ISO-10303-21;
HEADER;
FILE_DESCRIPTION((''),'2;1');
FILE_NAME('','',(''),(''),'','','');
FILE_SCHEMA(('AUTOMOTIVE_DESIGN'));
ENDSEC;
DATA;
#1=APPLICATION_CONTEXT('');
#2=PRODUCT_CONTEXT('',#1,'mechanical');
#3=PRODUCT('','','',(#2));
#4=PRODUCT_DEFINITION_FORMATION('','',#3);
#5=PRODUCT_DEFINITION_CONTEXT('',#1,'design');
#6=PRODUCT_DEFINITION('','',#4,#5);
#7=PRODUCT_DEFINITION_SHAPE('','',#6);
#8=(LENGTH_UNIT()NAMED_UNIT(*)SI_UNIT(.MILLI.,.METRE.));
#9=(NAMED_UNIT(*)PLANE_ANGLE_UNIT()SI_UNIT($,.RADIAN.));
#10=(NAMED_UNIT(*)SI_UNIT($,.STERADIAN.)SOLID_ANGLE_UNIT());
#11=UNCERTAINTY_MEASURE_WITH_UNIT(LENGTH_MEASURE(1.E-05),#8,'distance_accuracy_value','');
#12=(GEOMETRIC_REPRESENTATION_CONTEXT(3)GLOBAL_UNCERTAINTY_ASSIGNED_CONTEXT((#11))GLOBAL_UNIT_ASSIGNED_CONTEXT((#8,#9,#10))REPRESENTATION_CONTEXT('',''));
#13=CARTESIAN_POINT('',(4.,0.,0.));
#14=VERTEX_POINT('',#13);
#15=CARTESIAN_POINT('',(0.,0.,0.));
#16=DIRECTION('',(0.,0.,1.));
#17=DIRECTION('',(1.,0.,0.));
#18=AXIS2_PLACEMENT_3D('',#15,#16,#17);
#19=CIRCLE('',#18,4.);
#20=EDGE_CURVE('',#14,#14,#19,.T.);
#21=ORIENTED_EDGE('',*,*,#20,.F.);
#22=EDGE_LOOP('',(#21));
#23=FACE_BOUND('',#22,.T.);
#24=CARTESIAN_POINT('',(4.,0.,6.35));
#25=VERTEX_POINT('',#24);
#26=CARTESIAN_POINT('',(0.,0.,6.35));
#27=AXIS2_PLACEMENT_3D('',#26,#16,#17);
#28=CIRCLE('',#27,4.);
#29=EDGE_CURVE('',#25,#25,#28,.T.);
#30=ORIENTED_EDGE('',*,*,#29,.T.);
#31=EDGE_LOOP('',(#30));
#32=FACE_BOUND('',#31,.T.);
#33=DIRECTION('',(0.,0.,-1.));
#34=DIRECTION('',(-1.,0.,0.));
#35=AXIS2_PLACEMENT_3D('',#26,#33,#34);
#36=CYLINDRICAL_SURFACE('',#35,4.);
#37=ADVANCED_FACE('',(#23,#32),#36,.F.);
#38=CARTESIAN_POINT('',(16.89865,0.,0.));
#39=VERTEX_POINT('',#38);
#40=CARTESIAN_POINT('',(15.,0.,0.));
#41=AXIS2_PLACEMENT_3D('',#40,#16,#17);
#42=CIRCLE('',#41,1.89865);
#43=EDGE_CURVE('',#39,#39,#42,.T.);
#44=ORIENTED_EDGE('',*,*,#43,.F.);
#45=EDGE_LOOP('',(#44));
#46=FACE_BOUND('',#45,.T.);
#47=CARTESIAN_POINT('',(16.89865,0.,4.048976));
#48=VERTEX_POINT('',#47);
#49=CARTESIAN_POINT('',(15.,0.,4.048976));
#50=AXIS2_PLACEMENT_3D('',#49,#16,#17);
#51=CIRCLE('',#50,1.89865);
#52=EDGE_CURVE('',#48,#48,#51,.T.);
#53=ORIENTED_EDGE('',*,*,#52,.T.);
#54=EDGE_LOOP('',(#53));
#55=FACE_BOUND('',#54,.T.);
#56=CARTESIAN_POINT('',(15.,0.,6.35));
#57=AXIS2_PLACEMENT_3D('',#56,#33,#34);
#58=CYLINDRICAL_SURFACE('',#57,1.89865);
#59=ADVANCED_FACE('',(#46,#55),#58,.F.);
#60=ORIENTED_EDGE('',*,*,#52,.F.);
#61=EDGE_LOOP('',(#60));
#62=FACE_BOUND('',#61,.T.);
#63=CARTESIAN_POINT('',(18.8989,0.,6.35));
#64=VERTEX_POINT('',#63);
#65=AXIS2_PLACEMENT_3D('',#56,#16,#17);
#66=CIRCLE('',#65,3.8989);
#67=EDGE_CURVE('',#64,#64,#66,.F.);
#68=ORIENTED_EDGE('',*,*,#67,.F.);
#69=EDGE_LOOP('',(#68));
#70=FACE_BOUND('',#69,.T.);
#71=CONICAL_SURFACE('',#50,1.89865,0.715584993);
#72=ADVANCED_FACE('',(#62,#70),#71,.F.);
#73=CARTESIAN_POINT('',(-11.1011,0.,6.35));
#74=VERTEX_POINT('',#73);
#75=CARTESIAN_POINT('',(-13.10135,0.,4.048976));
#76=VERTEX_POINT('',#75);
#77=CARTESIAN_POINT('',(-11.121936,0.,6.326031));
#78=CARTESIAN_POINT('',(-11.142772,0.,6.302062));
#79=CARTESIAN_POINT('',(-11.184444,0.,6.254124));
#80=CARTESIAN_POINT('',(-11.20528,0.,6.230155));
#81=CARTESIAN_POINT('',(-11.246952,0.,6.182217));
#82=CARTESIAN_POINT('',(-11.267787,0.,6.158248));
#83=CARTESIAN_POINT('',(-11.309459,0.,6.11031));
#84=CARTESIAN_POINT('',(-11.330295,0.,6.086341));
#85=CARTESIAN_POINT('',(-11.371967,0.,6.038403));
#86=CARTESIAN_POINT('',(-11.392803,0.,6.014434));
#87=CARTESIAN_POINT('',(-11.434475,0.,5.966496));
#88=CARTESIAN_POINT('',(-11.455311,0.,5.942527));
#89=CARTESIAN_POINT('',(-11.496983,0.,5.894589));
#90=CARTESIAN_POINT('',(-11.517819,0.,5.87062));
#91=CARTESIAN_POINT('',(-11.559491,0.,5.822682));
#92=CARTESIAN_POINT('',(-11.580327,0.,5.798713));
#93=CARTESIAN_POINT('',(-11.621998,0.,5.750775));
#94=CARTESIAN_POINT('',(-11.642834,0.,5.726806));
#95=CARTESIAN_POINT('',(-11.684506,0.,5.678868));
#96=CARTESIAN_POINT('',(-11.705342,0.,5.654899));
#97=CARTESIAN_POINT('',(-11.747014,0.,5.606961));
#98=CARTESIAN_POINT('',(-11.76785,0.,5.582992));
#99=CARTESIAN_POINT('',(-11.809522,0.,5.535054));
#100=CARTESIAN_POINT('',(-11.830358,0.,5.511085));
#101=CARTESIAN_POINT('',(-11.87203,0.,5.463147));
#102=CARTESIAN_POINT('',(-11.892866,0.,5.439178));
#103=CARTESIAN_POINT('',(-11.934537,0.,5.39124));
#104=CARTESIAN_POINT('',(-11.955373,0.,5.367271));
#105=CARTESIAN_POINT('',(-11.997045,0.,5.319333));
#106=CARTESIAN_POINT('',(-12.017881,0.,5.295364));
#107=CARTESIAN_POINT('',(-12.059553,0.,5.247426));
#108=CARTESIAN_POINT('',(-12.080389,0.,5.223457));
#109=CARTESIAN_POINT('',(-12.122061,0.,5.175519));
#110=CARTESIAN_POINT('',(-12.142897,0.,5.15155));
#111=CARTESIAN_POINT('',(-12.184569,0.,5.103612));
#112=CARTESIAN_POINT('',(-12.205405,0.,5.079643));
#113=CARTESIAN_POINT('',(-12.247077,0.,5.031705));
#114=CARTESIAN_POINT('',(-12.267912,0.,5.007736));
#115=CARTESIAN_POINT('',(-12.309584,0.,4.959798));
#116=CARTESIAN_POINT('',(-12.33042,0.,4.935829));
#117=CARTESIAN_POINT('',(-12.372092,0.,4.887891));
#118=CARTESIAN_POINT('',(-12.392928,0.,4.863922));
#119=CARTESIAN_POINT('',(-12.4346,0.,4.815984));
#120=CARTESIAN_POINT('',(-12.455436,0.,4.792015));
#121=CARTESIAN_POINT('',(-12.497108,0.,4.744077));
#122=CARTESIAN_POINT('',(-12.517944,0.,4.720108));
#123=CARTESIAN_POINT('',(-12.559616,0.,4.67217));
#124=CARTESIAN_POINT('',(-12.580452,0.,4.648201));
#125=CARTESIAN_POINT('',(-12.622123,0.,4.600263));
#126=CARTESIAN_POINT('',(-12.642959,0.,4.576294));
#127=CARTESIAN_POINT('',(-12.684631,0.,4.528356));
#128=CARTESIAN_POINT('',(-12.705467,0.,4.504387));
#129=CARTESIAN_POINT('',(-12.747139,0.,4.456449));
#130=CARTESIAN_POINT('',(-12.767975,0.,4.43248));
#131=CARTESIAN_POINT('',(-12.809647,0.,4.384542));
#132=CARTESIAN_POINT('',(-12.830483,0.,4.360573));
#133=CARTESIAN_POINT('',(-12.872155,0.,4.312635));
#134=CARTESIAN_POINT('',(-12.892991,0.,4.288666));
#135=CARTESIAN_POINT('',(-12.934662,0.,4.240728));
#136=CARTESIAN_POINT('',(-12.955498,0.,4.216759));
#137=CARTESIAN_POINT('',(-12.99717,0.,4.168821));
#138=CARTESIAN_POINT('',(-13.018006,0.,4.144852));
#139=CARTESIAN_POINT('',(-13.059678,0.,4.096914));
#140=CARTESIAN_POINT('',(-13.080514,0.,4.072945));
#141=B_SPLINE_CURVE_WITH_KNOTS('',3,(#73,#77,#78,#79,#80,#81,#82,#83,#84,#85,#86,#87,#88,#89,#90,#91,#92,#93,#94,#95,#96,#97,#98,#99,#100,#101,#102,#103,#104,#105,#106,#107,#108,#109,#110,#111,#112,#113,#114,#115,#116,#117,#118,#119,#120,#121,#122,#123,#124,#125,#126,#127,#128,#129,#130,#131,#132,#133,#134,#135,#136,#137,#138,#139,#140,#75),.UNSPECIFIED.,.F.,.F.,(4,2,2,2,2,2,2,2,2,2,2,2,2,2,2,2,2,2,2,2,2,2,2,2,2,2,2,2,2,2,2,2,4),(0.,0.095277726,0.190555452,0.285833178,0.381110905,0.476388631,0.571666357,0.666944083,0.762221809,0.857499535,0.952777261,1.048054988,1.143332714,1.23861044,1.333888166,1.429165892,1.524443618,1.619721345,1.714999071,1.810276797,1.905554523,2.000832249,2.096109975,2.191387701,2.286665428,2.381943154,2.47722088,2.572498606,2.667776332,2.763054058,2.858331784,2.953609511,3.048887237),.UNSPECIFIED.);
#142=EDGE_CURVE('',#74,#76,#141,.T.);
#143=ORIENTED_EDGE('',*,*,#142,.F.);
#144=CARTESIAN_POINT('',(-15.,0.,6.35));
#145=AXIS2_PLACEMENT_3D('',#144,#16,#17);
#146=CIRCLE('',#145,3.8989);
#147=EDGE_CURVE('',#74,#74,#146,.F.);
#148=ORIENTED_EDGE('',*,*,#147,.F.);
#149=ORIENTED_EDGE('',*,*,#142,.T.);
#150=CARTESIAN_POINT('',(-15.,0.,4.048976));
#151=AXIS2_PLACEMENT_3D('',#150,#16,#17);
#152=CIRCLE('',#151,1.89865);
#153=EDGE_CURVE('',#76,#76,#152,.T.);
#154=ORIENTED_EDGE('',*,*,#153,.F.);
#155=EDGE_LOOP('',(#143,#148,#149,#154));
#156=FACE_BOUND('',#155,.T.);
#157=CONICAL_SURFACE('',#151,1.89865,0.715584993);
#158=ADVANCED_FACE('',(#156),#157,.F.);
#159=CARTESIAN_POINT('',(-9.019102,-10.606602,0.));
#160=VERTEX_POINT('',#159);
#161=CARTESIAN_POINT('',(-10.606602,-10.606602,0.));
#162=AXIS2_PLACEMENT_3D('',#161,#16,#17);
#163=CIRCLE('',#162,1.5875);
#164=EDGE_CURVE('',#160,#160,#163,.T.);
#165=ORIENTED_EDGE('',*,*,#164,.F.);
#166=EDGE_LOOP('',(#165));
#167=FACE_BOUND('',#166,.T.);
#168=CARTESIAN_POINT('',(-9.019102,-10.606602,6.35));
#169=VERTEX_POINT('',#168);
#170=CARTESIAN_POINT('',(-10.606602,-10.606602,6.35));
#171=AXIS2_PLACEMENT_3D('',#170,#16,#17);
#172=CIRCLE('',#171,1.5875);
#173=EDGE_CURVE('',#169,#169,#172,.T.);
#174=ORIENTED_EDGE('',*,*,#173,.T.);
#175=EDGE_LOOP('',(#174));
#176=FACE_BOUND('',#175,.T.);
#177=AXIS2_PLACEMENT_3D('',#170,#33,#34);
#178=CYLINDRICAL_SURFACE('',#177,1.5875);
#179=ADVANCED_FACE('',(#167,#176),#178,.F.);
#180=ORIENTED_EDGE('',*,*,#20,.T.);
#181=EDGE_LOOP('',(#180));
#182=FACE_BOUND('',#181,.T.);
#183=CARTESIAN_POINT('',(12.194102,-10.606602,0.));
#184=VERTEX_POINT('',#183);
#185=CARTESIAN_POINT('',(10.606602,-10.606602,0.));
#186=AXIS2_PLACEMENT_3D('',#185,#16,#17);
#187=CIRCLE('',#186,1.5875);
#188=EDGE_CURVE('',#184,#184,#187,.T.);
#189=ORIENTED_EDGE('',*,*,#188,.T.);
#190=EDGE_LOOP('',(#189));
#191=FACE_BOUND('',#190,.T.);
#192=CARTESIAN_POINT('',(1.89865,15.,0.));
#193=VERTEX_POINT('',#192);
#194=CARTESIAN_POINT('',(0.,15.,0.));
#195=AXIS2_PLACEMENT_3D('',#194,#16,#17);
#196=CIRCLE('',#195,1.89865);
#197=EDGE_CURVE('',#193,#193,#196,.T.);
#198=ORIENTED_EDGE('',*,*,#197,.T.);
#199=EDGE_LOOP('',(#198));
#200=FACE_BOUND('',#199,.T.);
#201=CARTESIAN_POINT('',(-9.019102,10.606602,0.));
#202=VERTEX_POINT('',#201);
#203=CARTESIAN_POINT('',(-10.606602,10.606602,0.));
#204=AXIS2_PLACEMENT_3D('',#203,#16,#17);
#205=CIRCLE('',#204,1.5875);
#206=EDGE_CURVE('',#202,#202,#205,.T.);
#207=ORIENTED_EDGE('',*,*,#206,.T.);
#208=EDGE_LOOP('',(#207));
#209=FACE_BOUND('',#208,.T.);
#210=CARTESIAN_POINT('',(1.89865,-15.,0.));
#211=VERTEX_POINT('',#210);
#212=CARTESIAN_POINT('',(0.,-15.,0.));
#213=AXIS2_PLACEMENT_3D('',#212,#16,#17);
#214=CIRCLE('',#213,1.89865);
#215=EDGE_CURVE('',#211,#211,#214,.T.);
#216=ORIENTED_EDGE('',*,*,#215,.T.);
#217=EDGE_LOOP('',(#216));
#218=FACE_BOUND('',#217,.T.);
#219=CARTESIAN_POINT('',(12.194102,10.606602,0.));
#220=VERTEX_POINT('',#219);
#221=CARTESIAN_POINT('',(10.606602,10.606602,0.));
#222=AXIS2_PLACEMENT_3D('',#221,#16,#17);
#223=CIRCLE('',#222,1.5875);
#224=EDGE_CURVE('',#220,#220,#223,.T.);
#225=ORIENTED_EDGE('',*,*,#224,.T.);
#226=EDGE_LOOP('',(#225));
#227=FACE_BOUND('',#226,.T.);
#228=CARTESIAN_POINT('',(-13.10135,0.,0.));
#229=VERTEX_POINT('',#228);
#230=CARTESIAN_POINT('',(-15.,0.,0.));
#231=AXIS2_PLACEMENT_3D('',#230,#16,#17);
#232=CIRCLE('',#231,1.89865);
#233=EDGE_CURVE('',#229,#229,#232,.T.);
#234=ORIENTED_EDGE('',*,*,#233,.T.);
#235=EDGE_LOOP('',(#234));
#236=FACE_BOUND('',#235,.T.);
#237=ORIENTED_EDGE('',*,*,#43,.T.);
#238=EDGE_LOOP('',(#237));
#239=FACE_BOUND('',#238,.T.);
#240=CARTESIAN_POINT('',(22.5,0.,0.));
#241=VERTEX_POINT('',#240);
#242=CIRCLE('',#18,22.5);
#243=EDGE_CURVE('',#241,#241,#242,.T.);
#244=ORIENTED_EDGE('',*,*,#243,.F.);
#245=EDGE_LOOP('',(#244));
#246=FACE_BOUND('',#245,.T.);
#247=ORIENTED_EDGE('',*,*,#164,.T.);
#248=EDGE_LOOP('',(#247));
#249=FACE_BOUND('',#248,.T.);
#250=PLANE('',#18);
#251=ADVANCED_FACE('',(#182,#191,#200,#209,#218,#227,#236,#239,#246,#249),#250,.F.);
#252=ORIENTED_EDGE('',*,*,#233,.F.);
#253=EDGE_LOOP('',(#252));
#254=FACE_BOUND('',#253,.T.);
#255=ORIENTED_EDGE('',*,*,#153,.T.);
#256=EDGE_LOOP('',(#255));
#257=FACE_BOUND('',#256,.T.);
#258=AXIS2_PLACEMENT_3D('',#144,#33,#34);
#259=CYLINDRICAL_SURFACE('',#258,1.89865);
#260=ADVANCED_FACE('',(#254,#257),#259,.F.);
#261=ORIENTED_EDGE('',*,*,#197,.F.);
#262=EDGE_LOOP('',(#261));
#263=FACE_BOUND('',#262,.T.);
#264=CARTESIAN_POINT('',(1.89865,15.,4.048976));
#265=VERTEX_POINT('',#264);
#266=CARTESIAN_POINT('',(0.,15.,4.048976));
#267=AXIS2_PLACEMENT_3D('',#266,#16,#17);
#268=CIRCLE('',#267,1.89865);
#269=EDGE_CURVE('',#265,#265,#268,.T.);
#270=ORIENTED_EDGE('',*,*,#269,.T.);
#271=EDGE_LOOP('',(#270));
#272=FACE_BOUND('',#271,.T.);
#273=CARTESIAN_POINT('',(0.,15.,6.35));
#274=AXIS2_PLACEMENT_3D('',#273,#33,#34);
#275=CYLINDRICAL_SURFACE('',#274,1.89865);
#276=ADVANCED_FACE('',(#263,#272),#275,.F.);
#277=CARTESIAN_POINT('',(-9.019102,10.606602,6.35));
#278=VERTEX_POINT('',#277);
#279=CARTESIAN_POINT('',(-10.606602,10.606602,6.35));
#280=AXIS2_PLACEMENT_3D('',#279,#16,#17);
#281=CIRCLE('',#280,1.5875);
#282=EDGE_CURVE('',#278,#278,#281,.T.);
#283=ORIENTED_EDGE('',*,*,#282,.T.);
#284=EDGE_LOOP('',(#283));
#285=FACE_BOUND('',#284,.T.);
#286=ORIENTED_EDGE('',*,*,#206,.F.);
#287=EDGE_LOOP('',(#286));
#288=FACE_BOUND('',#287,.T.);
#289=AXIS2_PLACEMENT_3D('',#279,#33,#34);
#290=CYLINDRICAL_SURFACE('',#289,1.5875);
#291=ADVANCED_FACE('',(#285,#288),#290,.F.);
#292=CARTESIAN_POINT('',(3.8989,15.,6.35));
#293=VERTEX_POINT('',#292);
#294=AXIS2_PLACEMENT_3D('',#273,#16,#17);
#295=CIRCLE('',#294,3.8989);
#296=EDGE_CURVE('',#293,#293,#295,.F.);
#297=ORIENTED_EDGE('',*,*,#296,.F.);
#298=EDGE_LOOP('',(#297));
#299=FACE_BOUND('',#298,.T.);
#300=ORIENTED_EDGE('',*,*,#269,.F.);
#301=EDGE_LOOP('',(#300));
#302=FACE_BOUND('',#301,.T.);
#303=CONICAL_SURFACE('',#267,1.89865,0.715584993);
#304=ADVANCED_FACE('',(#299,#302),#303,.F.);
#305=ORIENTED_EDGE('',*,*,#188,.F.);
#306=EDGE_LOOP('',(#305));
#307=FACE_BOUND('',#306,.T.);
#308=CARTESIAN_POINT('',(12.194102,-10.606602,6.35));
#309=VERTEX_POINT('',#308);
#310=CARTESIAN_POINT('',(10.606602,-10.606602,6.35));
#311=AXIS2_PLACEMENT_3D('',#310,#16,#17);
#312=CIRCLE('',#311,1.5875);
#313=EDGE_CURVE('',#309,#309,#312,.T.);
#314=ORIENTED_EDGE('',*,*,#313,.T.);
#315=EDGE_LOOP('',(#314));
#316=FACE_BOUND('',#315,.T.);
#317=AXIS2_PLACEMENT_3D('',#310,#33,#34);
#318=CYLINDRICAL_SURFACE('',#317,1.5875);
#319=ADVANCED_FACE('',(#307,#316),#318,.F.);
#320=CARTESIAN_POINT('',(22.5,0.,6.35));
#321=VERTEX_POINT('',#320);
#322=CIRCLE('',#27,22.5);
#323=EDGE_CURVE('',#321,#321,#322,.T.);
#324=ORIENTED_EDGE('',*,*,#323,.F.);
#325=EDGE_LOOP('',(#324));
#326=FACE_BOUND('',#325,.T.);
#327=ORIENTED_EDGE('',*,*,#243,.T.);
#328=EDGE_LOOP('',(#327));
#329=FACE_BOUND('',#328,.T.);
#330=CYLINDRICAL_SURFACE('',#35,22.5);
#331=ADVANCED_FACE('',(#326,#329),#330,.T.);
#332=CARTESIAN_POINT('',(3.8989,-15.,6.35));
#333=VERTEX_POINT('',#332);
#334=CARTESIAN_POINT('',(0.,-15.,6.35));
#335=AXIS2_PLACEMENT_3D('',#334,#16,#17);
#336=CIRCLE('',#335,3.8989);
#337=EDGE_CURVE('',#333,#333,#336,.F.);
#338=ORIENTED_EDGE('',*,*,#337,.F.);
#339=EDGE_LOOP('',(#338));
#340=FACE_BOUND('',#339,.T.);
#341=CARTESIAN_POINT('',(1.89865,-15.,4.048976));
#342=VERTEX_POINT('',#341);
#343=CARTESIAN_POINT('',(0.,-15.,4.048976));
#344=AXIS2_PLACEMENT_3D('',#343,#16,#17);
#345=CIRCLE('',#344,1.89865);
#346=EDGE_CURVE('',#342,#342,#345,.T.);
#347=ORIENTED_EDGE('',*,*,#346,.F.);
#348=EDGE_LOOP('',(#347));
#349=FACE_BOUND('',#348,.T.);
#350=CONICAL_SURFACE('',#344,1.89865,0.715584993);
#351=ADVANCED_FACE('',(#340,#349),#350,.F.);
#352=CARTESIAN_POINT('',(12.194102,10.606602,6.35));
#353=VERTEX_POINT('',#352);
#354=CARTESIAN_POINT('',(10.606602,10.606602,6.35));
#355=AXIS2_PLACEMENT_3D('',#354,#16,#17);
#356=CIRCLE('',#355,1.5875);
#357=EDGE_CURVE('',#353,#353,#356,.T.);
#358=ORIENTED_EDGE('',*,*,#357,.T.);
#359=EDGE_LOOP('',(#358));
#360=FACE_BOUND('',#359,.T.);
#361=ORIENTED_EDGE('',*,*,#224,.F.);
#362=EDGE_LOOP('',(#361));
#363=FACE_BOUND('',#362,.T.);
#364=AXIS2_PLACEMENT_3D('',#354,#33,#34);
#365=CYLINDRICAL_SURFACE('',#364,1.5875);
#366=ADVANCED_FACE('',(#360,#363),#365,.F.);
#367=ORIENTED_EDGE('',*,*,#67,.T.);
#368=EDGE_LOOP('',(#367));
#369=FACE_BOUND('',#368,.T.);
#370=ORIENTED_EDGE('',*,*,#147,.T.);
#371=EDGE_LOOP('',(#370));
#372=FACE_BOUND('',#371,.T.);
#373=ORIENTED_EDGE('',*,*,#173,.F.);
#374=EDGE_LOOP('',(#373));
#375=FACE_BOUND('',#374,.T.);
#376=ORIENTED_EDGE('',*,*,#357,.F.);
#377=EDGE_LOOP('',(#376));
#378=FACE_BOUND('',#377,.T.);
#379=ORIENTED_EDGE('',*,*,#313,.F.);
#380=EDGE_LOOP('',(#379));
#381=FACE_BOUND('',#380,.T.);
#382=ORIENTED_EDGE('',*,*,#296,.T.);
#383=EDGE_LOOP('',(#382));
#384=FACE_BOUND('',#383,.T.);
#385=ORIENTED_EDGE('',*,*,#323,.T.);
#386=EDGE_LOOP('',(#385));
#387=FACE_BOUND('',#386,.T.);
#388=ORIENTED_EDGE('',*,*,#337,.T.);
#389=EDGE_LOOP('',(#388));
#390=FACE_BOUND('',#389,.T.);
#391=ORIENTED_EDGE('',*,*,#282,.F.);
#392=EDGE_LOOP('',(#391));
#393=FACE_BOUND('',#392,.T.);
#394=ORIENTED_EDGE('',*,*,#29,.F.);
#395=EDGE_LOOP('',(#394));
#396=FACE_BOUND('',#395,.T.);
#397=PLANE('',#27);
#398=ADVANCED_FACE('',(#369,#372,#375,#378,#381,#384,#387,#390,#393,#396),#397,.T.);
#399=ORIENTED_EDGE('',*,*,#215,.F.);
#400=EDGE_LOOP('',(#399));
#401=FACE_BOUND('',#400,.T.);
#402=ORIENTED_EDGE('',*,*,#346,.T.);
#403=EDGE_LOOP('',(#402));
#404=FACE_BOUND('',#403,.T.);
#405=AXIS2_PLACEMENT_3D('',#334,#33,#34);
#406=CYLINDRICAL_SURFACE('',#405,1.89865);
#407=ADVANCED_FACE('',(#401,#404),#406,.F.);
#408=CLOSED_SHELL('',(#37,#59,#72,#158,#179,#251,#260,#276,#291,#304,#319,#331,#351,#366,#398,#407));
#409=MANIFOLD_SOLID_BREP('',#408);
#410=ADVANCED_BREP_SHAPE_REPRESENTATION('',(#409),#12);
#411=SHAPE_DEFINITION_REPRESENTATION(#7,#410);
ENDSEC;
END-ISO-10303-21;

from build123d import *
from OCP.BRepFilletAPI import BRepFilletAPI_MakeChamfer

# Parameters (mm, degrees)
SKETCH1_R           = 22.5
SKETCH1_R_2         = 4
SKETCH1_R_3         = 1.89865
SKETCH1_R_4         = 1.5875
BOSS_EXTRUDE1_DEPTH = 6.35
CHAMFER1_SIZE       = 2.301024407
CHAMFER1_SIZE2      = 2.00025


with BuildPart() as part:
    # Sketch1 → Boss-Extrude1 (new body)
    with BuildSketch(Plane.XY):
        Circle(SKETCH1_R)
        Circle(SKETCH1_R_2, mode=Mode.SUBTRACT)
        with Locations((0, 15)):
            Circle(SKETCH1_R_3, mode=Mode.SUBTRACT)
        with Locations((10.606601718, 10.606601718)):
            Circle(SKETCH1_R_4, mode=Mode.SUBTRACT)
        with Locations((15, 0)):
            Circle(SKETCH1_R_3, mode=Mode.SUBTRACT)
        with Locations((10.606601718, -10.606601718)):
            Circle(SKETCH1_R_4, mode=Mode.SUBTRACT)
        with Locations((0, -15)):
            Circle(SKETCH1_R_3, mode=Mode.SUBTRACT)
        with Locations((-10.606601718, -10.606601718)):
            Circle(SKETCH1_R_4, mode=Mode.SUBTRACT)
        with Locations((-15, 0)):
            Circle(SKETCH1_R_3, mode=Mode.SUBTRACT)
        with Locations((-10.606601718, 10.606601718)):
            Circle(SKETCH1_R_4, mode=Mode.SUBTRACT)
    extrude(amount=BOSS_EXTRUDE1_DEPTH)

    # Chamfer1: one chamfer whose edges measure the first distance from different faces: ONE call of the kernel's chamfer builder (chamfer() names one face for all edges)
    chamfer1_edges_1 = [part.edges().sort_by_distance(p)[0] for p in [
        (13.10135, 0, 6.35),
    ]]
    chamfer1_side_1 = [part.faces().sort_by_distance(p)[0] for p in [
        (13.10135, 0, 3.175),
    ]]
    chamfer1_edges_2 = [part.edges().sort_by_distance(p)[0] for p in [
        (-1.89865, -15, 6.35),
    ]]
    chamfer1_side_2 = [part.faces().sort_by_distance(p)[0] for p in [
        (-1.89865, -15, 3.175),
    ]]
    chamfer1_edges_3 = [part.edges().sort_by_distance(p)[0] for p in [
        (-16.89865, 0, 6.35),
    ]]
    chamfer1_side_3 = [part.faces().sort_by_distance(p)[0] for p in [
        (-16.89865, 0, 3.175),
    ]]
    chamfer1_edges_4 = [part.edges().sort_by_distance(p)[0] for p in [
        (-1.89865, 15, 6.35),
    ]]
    chamfer1_side_4 = [part.faces().sort_by_distance(p)[0] for p in [
        (-1.89865, 15, 3.175),
    ]]
    chamfer1 = BRepFilletAPI_MakeChamfer(part.part.solid().wrapped)
    for e in chamfer1_edges_1:
        chamfer1.Add(CHAMFER1_SIZE, CHAMFER1_SIZE2, e.wrapped, chamfer1_side_1[0].wrapped)  # the first distance lies on this face
    for e in chamfer1_edges_2:
        chamfer1.Add(CHAMFER1_SIZE, CHAMFER1_SIZE2, e.wrapped, chamfer1_side_2[0].wrapped)  # the first distance lies on this face
    for e in chamfer1_edges_3:
        chamfer1.Add(CHAMFER1_SIZE, CHAMFER1_SIZE2, e.wrapped, chamfer1_side_3[0].wrapped)  # the first distance lies on this face
    for e in chamfer1_edges_4:
        chamfer1.Add(CHAMFER1_SIZE, CHAMFER1_SIZE2, e.wrapped, chamfer1_side_4[0].wrapped)  # the first distance lies on this face
    add(Compound.cast(chamfer1.Shape()), mode=Mode.REPLACE)


solid = part.part
